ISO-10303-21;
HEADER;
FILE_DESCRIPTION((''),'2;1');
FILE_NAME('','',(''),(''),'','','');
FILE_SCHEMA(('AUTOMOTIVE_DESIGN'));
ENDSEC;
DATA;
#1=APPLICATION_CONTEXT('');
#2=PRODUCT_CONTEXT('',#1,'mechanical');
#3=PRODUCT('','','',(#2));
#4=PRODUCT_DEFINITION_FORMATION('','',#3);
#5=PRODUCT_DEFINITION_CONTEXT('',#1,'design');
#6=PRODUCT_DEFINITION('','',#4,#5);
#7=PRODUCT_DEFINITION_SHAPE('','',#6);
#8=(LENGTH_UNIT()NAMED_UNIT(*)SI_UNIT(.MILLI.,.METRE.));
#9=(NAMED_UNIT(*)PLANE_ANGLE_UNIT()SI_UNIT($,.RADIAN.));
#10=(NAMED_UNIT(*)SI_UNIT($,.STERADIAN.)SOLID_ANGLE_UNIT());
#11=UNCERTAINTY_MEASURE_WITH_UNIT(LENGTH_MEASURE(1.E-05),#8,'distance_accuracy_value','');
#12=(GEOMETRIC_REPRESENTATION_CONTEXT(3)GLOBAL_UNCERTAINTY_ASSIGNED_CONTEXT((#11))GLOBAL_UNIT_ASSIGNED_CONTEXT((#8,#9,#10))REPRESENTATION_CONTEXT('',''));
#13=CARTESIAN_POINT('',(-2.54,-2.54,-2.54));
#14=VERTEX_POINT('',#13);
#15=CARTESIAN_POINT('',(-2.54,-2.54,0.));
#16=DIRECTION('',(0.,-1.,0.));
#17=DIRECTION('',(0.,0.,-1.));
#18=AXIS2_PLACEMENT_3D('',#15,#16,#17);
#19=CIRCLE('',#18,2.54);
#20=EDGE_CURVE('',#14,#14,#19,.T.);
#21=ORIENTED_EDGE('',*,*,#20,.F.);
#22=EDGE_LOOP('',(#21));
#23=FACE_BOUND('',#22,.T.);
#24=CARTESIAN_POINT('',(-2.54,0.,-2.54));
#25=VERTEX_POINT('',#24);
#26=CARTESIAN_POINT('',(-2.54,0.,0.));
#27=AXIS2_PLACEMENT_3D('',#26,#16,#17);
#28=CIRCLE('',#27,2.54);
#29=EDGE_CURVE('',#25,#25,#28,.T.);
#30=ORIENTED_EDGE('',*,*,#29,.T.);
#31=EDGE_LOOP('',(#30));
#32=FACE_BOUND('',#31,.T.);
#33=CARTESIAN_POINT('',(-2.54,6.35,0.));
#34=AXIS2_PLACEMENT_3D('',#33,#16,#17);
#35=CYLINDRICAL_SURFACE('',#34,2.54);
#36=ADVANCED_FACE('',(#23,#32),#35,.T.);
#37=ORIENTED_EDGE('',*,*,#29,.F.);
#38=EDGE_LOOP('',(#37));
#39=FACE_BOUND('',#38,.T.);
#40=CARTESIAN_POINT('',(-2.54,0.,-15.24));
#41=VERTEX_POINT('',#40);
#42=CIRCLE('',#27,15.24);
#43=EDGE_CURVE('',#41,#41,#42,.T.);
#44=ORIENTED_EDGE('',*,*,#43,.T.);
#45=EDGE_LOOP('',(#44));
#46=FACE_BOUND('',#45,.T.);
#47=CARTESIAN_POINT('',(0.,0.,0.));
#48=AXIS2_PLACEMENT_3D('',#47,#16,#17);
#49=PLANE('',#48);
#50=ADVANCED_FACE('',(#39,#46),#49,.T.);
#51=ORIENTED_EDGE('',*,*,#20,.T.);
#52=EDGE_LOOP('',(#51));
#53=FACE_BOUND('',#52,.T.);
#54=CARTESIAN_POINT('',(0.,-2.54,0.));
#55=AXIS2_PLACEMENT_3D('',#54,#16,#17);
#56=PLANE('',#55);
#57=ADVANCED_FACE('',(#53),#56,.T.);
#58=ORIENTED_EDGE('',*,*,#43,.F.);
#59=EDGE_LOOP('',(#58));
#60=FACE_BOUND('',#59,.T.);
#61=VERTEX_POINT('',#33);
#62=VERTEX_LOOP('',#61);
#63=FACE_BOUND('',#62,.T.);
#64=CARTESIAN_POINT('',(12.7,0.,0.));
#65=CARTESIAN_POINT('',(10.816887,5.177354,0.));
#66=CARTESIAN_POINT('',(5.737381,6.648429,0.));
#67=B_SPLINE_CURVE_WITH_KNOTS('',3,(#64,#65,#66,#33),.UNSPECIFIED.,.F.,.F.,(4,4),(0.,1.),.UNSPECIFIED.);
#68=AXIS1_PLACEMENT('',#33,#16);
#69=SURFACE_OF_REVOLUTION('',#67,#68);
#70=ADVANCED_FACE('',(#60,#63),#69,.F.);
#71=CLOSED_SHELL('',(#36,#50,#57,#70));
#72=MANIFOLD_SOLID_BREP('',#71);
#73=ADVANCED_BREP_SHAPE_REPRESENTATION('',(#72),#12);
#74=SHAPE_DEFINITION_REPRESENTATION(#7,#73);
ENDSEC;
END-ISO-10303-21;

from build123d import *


with BuildPart() as part:
    # Sketch1 → Revolve1 (revolve)
    with BuildSketch(Plane.XY):
        with BuildLine():
            Line((0, 0), (12.7, 0))
            add(Edge.make_bspline(
                [(-2.54, 6.35), (5.737380688, 6.648428585), (10.816886931, 5.177353601), (12.7, 0)],
                knots=[0, 0, 0, 0, 1, 1, 1, 1], degree=3))
            Line((-2.54, 6.35), (-2.54, 0))
            Line((-2.54, 0), (-2.54, -2.54))
            Line((-2.54, -2.54), (0, -2.54))
            Line((0, -2.54), (0, 0))
        make_face()
    revolve(axis=Axis((-2.54, 6.35, 0), (0, 1, 0)))


solid = part.part
